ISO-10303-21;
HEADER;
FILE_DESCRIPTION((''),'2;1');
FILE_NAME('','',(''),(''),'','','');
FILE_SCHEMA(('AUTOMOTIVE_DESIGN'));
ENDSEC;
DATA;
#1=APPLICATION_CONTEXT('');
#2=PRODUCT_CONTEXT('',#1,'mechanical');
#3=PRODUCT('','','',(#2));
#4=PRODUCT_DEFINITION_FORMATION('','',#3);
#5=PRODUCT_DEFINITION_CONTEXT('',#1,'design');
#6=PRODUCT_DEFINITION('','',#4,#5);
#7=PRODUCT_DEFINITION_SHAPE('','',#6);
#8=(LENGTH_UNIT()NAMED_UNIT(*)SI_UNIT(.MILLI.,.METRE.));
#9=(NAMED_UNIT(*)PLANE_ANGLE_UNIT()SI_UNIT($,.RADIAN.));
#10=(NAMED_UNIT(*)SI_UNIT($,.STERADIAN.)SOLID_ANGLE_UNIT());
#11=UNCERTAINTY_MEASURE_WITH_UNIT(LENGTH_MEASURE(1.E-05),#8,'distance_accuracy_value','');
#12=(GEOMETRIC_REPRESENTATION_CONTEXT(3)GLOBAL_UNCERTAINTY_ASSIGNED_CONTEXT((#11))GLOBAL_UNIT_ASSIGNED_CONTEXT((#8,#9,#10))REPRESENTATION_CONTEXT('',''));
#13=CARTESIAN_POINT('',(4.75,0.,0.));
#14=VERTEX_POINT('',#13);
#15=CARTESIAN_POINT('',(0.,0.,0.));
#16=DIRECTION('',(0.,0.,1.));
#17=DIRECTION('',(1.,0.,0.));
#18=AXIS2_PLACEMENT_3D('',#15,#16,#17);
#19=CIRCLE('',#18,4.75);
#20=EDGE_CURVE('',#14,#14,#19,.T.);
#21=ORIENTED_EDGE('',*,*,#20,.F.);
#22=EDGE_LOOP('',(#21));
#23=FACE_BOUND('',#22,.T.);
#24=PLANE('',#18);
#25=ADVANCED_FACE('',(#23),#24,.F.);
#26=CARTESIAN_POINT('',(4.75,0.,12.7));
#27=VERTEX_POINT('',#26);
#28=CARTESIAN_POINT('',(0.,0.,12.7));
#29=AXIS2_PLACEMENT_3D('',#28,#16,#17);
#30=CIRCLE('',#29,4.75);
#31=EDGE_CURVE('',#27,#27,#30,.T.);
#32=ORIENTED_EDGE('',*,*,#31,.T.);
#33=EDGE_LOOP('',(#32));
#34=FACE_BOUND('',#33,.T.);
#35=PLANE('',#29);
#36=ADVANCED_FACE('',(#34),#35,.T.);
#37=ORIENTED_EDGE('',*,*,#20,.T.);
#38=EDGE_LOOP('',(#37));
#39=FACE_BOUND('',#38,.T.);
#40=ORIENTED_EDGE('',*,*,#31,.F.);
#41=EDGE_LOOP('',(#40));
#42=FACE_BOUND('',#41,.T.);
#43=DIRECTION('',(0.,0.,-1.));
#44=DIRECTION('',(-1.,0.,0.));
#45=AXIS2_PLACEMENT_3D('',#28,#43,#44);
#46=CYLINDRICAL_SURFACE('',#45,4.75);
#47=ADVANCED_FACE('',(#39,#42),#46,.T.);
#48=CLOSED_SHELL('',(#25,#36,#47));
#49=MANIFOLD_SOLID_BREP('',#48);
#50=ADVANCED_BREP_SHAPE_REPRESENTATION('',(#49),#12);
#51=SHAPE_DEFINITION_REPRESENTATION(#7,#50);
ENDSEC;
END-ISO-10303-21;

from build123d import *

# Parameters (mm, degrees)
SKETCH1_R          = 4.75
BASE_EXTRUDE_DEPTH = 12.7


with BuildPart() as part:
    # Sketch1 → Base-Extrude (new body)
    with BuildSketch(Plane.XY):
        Circle(SKETCH1_R)
    extrude(amount=BASE_EXTRUDE_DEPTH)


solid = part.part
